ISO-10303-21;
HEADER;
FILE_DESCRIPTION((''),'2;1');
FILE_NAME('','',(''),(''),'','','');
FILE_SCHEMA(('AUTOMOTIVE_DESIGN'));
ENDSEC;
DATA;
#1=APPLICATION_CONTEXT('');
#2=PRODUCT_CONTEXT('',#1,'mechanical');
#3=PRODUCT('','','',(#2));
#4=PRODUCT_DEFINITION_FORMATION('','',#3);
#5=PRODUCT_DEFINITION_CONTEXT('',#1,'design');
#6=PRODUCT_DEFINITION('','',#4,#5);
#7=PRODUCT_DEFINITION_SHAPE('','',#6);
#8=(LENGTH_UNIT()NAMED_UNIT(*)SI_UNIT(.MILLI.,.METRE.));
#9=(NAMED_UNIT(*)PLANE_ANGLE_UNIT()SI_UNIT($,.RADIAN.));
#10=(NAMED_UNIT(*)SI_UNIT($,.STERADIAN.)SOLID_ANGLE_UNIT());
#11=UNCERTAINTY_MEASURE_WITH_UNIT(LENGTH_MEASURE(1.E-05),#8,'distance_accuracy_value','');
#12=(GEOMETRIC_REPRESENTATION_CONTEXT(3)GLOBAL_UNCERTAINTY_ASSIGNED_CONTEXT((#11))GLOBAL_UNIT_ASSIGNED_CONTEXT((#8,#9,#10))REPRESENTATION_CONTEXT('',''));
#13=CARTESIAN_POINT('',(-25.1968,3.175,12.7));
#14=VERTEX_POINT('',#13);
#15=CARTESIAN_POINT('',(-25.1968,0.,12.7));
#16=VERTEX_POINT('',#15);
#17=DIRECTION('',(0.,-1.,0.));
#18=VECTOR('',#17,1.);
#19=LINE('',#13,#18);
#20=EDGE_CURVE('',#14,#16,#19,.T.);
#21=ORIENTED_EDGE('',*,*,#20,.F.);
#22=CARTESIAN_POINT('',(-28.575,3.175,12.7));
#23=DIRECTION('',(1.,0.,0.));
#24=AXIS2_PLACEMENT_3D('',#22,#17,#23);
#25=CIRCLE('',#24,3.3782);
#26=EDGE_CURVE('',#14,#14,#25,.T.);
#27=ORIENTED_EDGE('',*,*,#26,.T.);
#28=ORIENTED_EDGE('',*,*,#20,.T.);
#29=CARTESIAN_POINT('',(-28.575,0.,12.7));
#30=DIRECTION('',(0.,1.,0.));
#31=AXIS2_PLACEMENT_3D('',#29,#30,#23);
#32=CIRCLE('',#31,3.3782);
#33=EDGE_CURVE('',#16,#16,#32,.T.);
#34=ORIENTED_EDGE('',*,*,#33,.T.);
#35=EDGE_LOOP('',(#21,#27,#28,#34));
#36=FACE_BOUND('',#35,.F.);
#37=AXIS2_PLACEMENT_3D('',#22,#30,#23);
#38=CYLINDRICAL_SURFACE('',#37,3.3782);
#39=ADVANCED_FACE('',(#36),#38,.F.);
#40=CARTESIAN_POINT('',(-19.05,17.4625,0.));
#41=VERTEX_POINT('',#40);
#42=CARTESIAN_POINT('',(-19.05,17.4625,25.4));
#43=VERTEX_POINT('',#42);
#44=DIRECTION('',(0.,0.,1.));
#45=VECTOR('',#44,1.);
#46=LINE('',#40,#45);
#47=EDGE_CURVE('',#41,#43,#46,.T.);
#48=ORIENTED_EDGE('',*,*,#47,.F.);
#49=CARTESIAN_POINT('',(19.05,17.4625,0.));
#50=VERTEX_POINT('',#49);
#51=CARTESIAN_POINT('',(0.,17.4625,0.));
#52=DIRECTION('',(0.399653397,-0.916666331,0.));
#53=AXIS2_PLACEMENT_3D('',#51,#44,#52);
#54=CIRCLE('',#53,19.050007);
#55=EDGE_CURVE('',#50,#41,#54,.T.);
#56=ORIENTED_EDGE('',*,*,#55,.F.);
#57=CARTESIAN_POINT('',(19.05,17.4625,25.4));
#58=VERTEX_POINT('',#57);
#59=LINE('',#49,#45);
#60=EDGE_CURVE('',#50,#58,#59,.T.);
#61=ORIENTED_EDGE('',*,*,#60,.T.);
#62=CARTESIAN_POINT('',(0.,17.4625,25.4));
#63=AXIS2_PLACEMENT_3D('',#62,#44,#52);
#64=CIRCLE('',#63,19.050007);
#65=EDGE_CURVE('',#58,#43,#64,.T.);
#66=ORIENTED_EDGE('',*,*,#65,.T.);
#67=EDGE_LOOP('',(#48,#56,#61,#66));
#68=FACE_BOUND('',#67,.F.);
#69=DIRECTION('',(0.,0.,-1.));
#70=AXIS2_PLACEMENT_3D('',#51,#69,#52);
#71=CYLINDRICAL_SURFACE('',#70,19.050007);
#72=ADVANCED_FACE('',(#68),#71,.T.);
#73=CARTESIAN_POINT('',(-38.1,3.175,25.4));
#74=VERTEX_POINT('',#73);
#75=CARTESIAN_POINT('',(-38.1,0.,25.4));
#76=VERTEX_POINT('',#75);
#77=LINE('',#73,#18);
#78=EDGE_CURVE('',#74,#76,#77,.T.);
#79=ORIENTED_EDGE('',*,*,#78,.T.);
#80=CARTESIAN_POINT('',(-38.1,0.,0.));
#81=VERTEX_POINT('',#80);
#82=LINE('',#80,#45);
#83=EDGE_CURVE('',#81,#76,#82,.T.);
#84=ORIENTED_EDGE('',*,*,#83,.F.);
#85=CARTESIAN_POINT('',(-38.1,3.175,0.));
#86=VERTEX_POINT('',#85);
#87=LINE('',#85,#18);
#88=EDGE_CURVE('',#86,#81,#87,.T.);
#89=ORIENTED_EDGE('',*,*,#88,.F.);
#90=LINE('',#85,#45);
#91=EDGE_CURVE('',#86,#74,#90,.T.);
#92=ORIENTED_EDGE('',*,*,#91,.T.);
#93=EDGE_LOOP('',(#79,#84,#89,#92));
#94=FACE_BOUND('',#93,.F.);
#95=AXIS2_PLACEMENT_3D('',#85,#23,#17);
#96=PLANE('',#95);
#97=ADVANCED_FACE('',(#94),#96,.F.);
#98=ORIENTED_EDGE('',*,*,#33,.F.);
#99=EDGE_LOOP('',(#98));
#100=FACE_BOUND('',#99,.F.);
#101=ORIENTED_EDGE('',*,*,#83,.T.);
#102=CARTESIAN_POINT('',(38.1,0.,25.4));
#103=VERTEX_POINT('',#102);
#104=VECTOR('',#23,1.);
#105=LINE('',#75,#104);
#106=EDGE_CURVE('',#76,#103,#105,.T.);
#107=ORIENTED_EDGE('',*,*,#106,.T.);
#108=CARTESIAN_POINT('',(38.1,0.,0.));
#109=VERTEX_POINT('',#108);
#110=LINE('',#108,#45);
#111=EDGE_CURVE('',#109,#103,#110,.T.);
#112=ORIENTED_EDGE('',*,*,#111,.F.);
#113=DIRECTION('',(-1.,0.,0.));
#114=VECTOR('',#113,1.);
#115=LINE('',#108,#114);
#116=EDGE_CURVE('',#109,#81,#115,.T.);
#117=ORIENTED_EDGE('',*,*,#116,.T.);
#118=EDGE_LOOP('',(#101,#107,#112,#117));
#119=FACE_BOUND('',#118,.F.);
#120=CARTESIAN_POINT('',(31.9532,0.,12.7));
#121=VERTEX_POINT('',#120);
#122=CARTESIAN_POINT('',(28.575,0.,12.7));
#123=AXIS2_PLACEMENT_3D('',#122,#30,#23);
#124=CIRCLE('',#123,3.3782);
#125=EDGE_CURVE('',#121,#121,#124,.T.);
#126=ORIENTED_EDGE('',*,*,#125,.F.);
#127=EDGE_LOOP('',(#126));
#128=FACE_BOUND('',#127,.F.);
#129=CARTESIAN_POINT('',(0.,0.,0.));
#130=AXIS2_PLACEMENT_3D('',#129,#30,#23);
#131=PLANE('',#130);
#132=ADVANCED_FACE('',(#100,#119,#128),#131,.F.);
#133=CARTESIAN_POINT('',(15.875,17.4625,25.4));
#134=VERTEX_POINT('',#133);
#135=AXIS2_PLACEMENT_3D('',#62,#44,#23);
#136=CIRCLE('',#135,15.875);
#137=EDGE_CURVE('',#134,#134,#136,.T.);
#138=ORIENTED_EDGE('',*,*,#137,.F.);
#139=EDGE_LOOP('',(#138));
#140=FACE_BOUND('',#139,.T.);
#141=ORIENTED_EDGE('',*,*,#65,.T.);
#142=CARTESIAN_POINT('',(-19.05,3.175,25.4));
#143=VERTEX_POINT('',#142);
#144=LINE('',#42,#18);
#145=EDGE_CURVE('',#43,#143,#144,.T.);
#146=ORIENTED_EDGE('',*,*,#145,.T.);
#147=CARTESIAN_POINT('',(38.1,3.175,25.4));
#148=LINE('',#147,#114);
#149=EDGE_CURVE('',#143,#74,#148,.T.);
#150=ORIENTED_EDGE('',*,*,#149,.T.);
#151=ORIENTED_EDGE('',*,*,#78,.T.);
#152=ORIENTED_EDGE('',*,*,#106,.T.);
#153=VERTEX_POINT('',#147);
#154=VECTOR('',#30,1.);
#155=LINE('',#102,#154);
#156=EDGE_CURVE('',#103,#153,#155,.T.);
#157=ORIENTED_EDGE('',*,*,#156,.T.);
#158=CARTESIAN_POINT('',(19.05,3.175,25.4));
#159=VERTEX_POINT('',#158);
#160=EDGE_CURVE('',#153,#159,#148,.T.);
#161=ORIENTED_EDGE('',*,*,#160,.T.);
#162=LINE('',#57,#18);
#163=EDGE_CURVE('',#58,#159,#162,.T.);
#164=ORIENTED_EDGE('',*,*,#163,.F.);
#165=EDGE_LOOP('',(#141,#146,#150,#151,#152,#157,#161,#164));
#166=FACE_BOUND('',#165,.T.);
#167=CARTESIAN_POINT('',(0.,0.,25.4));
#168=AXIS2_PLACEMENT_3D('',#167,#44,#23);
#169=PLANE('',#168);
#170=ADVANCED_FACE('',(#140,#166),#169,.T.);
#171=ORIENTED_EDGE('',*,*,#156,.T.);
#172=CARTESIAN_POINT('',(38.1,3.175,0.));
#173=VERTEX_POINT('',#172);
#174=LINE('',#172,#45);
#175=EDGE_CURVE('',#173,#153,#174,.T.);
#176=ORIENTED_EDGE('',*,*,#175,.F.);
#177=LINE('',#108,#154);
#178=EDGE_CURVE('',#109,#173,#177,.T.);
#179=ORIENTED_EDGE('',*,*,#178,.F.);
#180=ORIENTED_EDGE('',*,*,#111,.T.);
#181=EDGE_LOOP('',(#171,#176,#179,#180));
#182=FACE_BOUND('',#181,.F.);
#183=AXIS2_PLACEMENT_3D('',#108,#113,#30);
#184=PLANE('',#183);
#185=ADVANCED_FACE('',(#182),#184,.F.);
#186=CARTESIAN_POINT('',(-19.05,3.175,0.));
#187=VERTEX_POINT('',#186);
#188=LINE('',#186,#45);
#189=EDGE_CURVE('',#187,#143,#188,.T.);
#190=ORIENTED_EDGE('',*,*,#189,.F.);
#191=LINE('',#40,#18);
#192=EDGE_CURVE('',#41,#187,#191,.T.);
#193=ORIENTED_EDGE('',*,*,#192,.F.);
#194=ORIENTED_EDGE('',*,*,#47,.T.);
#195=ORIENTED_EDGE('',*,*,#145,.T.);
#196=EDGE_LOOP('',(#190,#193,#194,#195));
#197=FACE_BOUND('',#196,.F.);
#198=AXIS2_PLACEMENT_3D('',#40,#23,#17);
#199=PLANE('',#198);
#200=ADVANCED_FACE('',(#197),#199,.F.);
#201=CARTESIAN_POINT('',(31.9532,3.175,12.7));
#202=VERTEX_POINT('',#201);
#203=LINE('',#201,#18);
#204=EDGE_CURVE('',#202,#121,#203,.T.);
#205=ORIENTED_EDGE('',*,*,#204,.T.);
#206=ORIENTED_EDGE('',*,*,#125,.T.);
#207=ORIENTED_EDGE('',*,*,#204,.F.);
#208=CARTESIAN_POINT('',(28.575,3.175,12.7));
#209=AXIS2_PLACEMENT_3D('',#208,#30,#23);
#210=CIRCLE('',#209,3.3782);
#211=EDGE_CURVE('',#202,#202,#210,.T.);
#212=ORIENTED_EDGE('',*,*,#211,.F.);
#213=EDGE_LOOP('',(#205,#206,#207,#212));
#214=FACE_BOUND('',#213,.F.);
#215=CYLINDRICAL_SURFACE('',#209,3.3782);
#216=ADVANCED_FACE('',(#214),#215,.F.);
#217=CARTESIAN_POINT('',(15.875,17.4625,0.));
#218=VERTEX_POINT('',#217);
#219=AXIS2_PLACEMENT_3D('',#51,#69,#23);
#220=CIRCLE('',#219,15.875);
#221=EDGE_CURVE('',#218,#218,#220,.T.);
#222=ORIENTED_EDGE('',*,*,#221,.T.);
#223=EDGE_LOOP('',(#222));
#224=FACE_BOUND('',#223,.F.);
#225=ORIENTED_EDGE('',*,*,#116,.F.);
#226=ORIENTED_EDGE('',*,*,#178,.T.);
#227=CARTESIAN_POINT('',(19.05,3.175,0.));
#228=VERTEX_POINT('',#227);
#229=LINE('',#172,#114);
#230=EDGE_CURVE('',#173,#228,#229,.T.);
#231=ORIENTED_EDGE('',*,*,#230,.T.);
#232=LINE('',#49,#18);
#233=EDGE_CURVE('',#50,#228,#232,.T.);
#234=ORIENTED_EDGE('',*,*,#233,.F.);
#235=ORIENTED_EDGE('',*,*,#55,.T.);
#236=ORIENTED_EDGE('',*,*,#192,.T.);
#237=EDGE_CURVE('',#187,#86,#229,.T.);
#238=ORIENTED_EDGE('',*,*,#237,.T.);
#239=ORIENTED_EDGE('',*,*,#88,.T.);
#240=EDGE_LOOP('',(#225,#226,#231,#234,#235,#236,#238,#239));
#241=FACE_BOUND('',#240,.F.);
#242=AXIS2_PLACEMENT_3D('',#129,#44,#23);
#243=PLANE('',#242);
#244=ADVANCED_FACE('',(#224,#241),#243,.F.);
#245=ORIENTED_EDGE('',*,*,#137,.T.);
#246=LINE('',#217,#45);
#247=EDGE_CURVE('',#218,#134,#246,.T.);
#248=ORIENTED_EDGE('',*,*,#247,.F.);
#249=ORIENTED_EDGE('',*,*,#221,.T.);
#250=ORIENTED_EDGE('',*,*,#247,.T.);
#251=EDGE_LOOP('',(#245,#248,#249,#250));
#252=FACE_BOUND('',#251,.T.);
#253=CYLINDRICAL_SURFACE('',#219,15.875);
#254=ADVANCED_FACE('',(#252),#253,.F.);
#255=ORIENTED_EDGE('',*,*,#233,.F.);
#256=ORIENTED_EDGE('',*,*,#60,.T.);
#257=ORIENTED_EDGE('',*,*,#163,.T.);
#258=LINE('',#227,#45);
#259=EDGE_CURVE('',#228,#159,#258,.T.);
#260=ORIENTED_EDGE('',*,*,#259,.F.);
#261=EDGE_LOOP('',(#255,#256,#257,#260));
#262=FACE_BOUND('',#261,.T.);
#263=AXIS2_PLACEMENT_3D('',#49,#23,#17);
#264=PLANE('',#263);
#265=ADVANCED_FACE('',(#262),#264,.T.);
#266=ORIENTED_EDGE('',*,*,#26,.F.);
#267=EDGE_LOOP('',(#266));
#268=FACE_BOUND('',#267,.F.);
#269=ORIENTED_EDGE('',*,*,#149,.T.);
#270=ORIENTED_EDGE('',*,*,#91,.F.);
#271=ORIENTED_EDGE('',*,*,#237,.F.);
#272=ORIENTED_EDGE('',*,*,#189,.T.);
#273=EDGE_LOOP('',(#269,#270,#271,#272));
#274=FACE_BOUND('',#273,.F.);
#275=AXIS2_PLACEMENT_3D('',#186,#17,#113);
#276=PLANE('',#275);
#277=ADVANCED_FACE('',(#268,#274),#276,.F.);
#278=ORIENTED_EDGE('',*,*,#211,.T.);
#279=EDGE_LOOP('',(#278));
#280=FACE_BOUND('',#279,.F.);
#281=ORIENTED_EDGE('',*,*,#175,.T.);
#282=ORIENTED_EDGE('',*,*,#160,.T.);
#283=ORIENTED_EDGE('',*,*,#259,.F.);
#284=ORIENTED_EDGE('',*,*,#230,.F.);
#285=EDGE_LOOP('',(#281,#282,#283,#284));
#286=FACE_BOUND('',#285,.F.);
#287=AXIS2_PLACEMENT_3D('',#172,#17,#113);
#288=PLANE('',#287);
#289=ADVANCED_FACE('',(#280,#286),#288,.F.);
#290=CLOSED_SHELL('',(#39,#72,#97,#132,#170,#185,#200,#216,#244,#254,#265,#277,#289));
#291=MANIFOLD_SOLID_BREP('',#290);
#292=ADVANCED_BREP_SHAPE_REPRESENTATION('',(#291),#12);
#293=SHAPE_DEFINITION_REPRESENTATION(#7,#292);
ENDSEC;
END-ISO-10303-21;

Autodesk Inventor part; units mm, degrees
ref_plane "YZ Plane" through (0, 0, 0) normal (1, 0, 0) x (0, 1, 0)
ref_plane "XZ Plane" through (0, 0, 0) normal (0, 1, 0) x (-1, 0, 0)
ref_plane "XY Plane" through (0, 0, 0) normal (0, 0, 1) x (1, 0, 0)
sketch "Sketch1" plane through (0, 0, 0) normal (0, 0, 1) x (1, 0, 0)
  line L0 (0, 0) -> (-38.1, 0)
  line L1 (0, 0) -> (38.1, 0)
  line L2 (38.1, 0) -> (38.1, 3.175)
  line L3 (38.1, 3.175) -> (-38.1, 3.175)
  line L4 (-38.1, 3.175) -> (-38.1, 0)
  line L5 (0, 0) -> (0, 17.4625)
  circle A0 centre (0, 17.4625) radius 15.875
  arc A1 (7.6134, 0) -> (-7.6134, 0) centre (0, 17.4625) ccw
  line L6 (-19.05, 17.4625) -> (-19.05, 3.175)
  line L7 (19.05, 17.4625) -> (19.05, 3.175)
  dimension "d0" = 38.1
  dimension "d1" = 38.1
  dimension "d2" = 3.175
  dimension "d3" = 17.4625
  dimension "d4" = 31.75
  dimension "d5" = 3.175
extrude "Extrusion1" add sketch "Sketch1" along normal blind 25.4 contours L5 A0 L3 A1 L1 | L0 A1 L3 A0 L5 | L0 L4 L3 A1 | A1 L3 L2 L1 | A1 L3 A0 | L3 L6 A1 | A1 L7 L3
sketch "Sketch2" plane through (19.05, 3.175, 0) normal (0, 1, 0) x (1, 0, 0)
  line L0 (19.05, 0) -> (19.05, -25.4) projected
  line L1 (19.05, -12.7) -> (9.525, -12.7)
  circle A0 centre (9.525, -12.7) radius 3.3782
  line L2 (-57.15, 0) -> (-57.15, -25.4) projected
  line L3 (-38.1, 0) -> (-38.1, -25.4) projected
  line L4 (-57.15, -12.7) -> (-47.625, -12.7)
  circle A1 centre (-47.625, -12.7) radius 3.3782
  point P0 (-19.05, 0)
  dimension "d8" = 6.7564
  dimension "d13" = 9.525
  dimension "d14" = 6.7564
  dimension "d15" = 9.525
extrude "Extrusion2" cut sketch "Sketch2" against normal blind 25.4
sketch "Sketch3" plane through (0, 0, 25.4) normal (0, 0, 1) x (1, 0, 0)
  circle A0 centre (0, 17.4625) radius 15.875 projected
  line L0 (-38.1, 0) -> (38.1, 0) projected
  line L1 (38.1, 0) -> (38.1, 3.175) projected
  line L2 (38.1, 3.175) -> (19.05, 3.175) projected
  line L3 (19.05, 3.175) -> (19.05, 17.4625) projected
  arc A1 (19.05, 17.4625) -> (-19.05, 17.4625) centre (0, 17.4625) ccw projected
  line L4 (-19.05, 17.4625) -> (-19.05, 3.175) projected
  line L5 (-19.05, 3.175) -> (-38.1, 3.175) projected
  line L6 (-38.1, 3.175) -> (-38.1, 0) projected
  point P0 (0, 0)
sketch "Sketch4" plane through (-38.1, 3.175, 0) normal (0, 1, 0) x (1, 0, 0)
  circle A0 centre (9.525, -12.7) radius 3.3782 projected
  line L0 (19.05, 0) -> (0, 0) projected
  line L1 (0, 0) -> (0, -25.4) projected
  line L2 (19.05, -25.4) -> (0, -25.4) projected
  line L3 (19.05, 0) -> (19.05, -25.4) projected
  point P0 (38.1, 0)
sketch "Sketch5" plane through (-38.1, 3.175, 0) normal (0, 1, 0) x (1, 0, 0)
  circle A0 centre (9.525, -12.7) radius 3.3782
  line L0 (19.05, 0) -> (0, 0)
  line L1 (0, 0) -> (0, -25.4)
  line L2 (19.05, -25.4) -> (0, -25.4)
  line L3 (19.05, 0) -> (19.05, -25.4)
  point P0 (38.1, 0)
sketch "Sketch6" plane through (0, 0, 25.4) normal (0, 0, 1) x (1, 0, 0)
  circle A0 centre (0, 17.4625) radius 15.875 projected
  line L0 (-38.1, 0) -> (38.1, 0) projected
  line L1 (38.1, 0) -> (38.1, 3.175) projected
  line L2 (38.1, 3.175) -> (19.05, 3.175) projected
  line L3 (19.05, 3.175) -> (19.05, 17.4625) projected
  arc A1 (19.05, 17.4625) -> (-19.05, 17.4625) centre (0, 17.4625) ccw projected
  line L4 (-19.05, 17.4625) -> (-19.05, 3.175) projected
  line L5 (-19.05, 3.175) -> (-38.1, 3.175) projected
  line L6 (-38.1, 3.175) -> (-38.1, 0) projected
  point P0 (0, 0)
properties part number "bearing mount" material "Aluminum 6061"
